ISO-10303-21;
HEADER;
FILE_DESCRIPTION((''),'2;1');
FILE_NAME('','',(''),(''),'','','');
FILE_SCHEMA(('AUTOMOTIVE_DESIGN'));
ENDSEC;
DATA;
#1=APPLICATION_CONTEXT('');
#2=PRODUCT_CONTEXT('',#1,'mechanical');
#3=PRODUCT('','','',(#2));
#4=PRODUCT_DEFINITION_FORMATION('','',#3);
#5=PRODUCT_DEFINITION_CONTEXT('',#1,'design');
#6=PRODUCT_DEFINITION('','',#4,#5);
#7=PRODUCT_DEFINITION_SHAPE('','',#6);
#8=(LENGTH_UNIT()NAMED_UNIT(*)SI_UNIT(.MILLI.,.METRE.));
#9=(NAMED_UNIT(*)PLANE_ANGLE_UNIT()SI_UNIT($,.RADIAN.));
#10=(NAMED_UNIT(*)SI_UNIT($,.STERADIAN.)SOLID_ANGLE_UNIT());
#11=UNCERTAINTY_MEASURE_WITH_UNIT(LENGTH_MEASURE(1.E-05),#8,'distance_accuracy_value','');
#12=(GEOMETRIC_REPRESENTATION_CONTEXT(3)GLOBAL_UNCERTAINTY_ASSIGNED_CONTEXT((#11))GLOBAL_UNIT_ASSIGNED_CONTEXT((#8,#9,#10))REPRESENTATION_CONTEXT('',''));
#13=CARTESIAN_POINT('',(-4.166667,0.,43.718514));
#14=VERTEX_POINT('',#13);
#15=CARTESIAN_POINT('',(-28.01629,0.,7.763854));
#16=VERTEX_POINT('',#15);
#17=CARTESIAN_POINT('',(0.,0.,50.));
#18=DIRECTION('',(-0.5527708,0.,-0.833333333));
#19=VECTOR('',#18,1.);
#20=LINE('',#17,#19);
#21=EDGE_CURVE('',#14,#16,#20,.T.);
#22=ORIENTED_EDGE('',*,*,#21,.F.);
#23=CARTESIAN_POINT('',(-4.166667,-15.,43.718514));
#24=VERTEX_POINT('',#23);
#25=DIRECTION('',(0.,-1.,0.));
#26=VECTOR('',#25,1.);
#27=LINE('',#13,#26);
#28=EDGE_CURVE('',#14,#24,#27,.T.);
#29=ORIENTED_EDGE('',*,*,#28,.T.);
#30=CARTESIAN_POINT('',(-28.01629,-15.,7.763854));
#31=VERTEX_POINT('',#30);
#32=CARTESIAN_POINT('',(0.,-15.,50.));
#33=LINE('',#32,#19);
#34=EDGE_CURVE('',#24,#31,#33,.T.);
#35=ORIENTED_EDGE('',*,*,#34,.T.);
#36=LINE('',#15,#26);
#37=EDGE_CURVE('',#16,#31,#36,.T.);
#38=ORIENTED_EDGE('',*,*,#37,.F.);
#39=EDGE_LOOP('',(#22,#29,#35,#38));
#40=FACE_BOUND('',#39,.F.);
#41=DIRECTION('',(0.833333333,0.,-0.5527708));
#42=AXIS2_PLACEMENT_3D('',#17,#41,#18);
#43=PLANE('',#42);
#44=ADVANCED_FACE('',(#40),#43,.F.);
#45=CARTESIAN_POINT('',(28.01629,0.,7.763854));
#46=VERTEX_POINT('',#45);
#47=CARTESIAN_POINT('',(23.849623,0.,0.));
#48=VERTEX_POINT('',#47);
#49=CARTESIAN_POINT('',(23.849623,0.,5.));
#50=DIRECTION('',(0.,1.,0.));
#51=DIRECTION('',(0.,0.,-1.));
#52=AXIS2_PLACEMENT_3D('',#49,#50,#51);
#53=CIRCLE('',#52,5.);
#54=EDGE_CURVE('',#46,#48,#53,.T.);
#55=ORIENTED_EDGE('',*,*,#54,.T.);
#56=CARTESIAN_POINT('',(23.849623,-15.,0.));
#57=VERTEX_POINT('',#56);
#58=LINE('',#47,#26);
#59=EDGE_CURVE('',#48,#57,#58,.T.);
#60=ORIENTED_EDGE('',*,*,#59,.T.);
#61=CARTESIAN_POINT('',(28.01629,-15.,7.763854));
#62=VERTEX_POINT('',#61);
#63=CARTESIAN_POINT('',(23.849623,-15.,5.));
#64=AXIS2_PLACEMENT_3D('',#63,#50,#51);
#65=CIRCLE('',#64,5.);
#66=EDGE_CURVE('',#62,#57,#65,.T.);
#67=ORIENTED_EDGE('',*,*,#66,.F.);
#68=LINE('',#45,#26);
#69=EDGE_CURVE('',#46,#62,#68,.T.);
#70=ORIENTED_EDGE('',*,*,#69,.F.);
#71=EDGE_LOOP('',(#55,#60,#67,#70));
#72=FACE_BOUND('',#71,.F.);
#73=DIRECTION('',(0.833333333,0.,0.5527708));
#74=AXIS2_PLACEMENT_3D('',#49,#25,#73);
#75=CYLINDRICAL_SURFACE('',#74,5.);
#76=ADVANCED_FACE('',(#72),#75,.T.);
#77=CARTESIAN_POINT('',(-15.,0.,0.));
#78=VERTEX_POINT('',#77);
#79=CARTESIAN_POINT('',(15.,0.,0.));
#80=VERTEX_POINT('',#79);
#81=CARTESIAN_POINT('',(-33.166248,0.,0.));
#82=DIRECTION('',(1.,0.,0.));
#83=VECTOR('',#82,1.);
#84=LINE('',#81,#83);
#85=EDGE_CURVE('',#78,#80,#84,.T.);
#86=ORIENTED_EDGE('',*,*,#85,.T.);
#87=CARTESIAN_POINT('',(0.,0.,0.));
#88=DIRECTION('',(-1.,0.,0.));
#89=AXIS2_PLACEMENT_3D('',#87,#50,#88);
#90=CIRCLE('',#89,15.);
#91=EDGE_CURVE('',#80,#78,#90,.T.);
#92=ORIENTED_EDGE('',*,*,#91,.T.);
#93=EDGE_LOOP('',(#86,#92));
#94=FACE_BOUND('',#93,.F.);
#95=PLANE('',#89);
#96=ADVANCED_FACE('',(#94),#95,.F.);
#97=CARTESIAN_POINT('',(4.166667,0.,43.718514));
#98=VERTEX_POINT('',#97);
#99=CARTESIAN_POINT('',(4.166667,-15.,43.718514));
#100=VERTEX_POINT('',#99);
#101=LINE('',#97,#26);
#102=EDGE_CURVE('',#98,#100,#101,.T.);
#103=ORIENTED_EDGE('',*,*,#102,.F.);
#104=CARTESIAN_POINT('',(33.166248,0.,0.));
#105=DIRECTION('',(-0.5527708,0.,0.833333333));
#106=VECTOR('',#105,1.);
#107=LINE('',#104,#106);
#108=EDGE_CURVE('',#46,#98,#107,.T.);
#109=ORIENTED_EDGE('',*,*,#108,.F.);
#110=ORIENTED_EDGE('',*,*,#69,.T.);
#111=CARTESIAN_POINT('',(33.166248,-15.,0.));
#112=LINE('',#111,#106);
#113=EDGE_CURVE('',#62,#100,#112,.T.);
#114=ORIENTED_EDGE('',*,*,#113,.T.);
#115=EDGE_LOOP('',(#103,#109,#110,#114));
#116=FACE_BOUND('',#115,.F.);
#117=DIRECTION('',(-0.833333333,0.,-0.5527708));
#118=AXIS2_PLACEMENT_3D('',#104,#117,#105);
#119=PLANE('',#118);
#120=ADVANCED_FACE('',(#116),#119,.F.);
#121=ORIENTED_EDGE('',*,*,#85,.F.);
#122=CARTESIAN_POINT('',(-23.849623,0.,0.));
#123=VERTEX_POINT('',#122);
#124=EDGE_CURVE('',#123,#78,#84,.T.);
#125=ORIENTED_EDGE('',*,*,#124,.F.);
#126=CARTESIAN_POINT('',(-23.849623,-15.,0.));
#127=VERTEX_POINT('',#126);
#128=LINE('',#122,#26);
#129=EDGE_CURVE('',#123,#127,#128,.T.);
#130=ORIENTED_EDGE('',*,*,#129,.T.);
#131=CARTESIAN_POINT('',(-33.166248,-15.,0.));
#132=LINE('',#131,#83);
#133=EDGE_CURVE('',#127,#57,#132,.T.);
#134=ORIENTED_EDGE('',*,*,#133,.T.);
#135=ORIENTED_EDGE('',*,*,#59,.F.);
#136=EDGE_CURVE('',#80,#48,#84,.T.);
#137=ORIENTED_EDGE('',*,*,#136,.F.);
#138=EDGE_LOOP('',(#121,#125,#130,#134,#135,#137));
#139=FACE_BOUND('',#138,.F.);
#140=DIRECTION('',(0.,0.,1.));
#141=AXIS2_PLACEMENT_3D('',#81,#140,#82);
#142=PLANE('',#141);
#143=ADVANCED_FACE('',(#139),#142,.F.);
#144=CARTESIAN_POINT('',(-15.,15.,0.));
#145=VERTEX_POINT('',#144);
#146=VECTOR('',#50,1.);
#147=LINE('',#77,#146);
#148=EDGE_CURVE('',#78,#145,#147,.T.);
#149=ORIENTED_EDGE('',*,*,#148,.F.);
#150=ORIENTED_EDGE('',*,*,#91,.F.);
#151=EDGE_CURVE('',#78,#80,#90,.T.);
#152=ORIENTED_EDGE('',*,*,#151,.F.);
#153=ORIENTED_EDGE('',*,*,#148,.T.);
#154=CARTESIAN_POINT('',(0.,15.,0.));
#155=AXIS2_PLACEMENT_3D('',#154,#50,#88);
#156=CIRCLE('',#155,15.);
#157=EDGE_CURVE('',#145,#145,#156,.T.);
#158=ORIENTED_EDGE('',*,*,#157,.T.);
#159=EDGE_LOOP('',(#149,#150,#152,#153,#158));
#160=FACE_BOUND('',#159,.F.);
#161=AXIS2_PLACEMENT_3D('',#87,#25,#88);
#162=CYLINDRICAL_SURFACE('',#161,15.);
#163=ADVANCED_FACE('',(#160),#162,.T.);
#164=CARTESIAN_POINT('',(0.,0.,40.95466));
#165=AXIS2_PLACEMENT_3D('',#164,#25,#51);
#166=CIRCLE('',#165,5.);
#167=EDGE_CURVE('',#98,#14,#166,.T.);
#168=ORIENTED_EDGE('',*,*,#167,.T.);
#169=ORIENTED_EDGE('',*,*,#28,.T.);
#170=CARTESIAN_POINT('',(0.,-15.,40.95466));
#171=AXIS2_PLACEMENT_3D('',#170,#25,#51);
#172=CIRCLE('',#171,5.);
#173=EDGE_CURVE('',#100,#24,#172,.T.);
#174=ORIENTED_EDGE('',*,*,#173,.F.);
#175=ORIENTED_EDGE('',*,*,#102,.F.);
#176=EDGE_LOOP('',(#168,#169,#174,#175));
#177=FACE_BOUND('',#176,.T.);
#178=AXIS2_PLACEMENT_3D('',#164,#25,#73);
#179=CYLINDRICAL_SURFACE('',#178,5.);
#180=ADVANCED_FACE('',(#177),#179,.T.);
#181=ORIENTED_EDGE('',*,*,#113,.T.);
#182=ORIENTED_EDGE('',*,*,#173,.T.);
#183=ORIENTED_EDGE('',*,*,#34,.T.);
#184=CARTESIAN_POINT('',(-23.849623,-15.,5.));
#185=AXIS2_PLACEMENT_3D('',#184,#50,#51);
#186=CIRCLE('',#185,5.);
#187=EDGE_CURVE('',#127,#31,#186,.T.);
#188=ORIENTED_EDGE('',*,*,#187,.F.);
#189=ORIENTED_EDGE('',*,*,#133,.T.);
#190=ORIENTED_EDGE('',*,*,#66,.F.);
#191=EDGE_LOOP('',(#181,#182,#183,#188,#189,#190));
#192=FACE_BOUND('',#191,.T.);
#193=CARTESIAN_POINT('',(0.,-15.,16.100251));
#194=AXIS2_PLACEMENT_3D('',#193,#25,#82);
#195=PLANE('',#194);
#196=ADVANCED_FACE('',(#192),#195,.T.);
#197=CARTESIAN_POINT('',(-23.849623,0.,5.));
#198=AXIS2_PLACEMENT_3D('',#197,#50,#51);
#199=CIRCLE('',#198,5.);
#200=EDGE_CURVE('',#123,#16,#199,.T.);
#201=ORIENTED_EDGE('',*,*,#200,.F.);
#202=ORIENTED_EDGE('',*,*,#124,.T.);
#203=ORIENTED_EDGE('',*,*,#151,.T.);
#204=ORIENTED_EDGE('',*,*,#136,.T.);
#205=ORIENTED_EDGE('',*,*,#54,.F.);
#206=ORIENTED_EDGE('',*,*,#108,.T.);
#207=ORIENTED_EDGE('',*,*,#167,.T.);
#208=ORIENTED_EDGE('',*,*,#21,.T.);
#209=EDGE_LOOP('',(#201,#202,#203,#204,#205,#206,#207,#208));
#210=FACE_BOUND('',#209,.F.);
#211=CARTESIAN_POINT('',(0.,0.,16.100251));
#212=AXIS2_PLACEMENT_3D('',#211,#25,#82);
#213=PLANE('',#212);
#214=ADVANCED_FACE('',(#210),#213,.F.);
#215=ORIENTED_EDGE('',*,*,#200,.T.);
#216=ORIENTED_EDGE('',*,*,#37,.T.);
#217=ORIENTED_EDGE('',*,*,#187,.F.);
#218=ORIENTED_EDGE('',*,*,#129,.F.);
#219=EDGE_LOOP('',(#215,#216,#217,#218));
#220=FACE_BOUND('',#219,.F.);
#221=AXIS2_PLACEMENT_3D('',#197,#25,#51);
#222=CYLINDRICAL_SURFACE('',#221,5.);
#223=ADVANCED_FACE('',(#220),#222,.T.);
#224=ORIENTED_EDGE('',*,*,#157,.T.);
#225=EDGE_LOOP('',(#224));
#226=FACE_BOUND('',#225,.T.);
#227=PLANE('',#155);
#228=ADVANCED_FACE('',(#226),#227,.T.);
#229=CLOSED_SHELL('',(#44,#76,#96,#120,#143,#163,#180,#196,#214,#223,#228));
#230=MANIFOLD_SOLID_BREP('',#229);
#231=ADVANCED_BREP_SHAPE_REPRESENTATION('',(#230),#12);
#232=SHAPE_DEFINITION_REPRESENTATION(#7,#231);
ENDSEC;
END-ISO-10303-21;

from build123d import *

# Parameters (mm, degrees)
F1_DEPTH = 15
F2_R     = 15
F3_DEPTH = 15
F4_R     = 5
F5_R     = 5


with BuildPart() as f1:
    # F0 (on Front) → F1 (new body)
    with BuildSketch(Plane.XZ):
        Polygon((0, 50), (-33.166248, 0), (33.166248, 0), align=None)
    extrude(amount=F1_DEPTH)

    # F2 (on face) → F3 (join)
    with BuildSketch(Plane(origin=(0, 0, 0), x_dir=(-1, 0, 0), z_dir=(0, 1, 0))):
        Circle(F2_R)
    extrude(amount=F3_DEPTH)

    # F4
    f4_edges = [f1.edges().sort_by_distance(p)[0] for p in [
        (0, -7.5, 50),
    ]]
    fillet(f4_edges, radius=F4_R)

    # F5
    f5_edges = [f1.edges().sort_by_distance(p)[0] for p in [
        (33.166248, -7.5, 0),
        (-33.166248, -7.5, 0),
    ]]
    fillet(f5_edges, radius=F5_R)


solid = f1.part
